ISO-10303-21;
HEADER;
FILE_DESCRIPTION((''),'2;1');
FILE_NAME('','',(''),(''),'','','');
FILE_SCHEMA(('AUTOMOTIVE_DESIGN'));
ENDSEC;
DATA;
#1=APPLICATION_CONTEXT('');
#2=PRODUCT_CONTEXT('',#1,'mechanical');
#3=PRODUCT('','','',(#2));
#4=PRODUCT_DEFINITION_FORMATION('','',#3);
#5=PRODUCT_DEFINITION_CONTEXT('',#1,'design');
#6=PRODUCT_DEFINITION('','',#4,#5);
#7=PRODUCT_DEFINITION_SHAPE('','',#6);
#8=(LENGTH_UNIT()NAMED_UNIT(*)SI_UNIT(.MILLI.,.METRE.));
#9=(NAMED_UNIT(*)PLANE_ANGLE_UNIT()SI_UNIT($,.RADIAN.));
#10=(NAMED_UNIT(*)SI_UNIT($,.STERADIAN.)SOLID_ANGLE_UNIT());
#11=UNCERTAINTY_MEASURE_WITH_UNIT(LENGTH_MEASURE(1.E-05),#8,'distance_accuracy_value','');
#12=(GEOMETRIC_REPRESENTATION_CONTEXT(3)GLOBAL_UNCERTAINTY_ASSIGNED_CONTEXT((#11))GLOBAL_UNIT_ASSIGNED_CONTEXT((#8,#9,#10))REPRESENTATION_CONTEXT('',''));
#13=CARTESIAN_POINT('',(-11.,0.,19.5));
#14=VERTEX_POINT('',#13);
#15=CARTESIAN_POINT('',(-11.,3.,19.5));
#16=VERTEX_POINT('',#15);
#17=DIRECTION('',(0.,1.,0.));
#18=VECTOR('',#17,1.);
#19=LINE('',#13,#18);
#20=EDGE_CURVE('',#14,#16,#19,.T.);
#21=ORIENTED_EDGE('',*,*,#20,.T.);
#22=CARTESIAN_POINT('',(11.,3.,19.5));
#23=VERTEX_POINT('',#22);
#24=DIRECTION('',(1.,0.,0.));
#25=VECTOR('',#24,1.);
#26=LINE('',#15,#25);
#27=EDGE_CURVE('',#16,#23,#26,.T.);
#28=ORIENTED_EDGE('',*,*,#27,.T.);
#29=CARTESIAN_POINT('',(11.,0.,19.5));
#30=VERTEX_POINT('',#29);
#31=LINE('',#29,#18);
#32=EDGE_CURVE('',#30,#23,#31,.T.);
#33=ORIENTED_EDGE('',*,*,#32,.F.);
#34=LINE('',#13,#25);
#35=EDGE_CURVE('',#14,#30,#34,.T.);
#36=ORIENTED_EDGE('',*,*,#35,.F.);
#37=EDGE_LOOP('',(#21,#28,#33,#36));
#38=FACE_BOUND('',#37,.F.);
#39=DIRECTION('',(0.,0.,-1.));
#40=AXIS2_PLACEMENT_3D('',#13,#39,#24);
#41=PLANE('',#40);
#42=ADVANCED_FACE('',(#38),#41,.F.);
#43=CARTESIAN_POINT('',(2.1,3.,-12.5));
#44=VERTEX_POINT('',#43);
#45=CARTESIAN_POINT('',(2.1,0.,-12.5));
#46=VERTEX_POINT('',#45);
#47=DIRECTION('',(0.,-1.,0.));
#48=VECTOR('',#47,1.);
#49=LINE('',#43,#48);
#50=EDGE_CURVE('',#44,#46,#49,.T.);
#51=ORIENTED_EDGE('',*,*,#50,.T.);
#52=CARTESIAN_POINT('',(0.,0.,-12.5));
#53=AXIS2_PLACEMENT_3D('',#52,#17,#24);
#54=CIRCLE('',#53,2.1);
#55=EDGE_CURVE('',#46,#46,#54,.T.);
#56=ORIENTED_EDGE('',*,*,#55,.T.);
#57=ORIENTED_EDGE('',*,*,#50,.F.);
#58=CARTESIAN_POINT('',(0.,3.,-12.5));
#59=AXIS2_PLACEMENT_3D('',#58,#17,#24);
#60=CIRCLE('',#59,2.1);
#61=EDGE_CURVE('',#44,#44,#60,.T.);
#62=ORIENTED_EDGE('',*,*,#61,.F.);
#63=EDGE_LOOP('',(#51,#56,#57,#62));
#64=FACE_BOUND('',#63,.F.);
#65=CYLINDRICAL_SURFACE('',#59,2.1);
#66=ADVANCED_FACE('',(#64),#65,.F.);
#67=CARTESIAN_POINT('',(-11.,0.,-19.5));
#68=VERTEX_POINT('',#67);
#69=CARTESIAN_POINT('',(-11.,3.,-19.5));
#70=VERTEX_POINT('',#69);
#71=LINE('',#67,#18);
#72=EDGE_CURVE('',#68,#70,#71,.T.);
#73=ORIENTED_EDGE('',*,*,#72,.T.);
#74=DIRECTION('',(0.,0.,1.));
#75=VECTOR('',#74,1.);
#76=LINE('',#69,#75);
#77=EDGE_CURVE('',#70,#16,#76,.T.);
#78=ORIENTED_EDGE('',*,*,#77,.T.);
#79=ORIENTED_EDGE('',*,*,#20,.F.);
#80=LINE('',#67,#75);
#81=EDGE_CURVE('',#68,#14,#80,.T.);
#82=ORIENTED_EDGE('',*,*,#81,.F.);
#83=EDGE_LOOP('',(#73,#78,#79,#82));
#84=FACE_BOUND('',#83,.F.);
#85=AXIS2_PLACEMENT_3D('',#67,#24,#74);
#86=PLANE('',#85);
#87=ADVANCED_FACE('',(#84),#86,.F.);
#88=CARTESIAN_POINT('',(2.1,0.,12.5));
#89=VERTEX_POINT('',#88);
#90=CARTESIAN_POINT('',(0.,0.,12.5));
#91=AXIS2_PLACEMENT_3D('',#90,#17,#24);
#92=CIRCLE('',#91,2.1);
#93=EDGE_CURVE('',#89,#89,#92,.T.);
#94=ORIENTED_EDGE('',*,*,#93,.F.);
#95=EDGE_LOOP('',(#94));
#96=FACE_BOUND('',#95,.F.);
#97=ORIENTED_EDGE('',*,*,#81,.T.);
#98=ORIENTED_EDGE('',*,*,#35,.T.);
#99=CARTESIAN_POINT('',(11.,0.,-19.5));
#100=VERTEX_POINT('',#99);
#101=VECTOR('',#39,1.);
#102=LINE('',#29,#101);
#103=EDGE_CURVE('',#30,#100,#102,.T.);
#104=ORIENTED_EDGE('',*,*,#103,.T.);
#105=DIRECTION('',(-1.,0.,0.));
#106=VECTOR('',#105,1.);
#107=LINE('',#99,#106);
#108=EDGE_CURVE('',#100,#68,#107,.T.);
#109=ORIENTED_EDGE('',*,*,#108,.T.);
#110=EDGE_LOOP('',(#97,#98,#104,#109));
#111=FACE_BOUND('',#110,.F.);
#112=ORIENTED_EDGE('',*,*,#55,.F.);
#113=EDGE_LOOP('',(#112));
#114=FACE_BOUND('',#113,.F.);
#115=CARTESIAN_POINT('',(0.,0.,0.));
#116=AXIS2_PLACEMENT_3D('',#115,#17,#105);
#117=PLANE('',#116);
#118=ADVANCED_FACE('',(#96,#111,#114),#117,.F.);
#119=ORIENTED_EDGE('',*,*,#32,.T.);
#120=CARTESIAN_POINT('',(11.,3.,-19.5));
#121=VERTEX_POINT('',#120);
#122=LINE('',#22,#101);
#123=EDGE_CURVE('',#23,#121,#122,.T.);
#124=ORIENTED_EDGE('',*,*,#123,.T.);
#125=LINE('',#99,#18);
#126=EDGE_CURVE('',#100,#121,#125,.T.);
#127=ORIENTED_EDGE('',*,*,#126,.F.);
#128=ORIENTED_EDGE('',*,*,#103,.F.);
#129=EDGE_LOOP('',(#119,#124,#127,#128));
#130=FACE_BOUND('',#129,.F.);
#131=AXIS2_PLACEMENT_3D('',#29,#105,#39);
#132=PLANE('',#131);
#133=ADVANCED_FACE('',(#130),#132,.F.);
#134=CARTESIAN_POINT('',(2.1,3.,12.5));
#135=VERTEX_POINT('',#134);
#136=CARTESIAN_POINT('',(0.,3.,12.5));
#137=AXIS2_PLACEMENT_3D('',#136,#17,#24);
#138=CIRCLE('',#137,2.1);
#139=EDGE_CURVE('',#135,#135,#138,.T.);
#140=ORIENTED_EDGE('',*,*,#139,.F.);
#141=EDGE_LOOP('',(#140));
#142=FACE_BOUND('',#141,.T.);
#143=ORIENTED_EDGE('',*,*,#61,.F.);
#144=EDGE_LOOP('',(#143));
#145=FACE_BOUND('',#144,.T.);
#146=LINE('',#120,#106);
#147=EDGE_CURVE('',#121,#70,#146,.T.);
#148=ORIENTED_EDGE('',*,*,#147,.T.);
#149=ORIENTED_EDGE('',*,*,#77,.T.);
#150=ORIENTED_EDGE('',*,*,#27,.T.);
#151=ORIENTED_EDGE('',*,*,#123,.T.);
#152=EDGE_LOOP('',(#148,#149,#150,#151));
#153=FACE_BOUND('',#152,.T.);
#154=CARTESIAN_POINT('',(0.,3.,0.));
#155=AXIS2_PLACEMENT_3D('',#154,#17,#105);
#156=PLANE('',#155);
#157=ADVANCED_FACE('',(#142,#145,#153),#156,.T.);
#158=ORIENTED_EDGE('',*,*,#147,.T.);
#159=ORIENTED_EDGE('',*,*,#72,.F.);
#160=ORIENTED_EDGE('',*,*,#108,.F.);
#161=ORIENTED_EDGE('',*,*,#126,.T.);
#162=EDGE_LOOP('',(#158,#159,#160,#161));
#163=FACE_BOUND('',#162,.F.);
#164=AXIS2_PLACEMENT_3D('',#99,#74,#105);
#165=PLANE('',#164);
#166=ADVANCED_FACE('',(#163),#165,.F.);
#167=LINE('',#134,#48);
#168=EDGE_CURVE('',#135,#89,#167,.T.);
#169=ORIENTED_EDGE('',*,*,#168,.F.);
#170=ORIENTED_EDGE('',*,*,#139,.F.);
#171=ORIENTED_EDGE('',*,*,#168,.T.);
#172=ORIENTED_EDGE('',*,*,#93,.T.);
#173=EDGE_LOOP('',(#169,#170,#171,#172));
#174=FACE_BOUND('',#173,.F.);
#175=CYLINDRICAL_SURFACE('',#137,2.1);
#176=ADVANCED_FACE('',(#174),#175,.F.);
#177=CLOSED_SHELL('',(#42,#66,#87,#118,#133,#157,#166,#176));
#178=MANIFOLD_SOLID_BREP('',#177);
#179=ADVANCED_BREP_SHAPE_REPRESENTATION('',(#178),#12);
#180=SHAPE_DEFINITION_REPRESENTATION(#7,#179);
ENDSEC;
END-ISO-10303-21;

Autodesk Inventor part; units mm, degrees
ref_plane "YZ Plane" through (0, 0, 0) normal (1, 0, 0) x (0, 1, 0)
ref_plane "XZ Plane" through (0, 0, 0) normal (0, 1, 0) x (-1, 0, 0)
ref_plane "XY Plane" through (0, 0, 0) normal (0, 0, 1) x (1, 0, 0)
sketch "Sketch1" plane through (0, 0, 0) normal (0, 1, 0) x (-1, 0, 0)
  line L0 (11, 19.5) -> (-11, 19.5)
  line L1 (-11, 19.5) -> (-11, -19.5)
  line L2 (-11, -19.5) -> (11, -19.5)
  line L3 (11, -19.5) -> (11, 19.5)
  line L4 (11, 19.5) -> (-11, -19.5) construction
  line L5 (-11, 19.5) -> (11, -19.5) construction
  point P0 (0, 0)
  dimension "d0" = 22
  dimension "d1" = 39
extrude "Plate1" add sketch "Sketch1" along normal blind 3
sketch "Sketch2" plane through (0, 3, 0) normal (0, 1, 0) x (1, 0, 0)
  circle A0 centre (0, -12.5) radius 2.1
  line L0 (11, -19.5) -> (11, 19.5) projected
  line L1 (11, 0) -> (-11, 0)
  line L2 (-11, 19.5) -> (-11, -19.5) projected
  circle A1 centre (0, 12.5) radius 2.1
  point P0 (0, 0)
  dimension "d3" = 4.2
  dimension "d4" = 12.5
extrude "Cut1" cut sketch "Sketch2" against normal blind 3
equation "\"d5\" = Thickness"
equation "\"d2\" = Thickness"
equation "\"BendRadius\" = Thickness"
equation "\"BendReliefWidth\" = Thickness"
equation "\"BendReliefDepth\" = 0.5 * Thickness"
equation "\"CornerReliefSize\" = 4 * Thickness"
equation "\"MinimumRemnant\" = 2 * Thickness"
equation "\"TransitionRadius\" = BendRadius"
equation "\"JacobiRadiusSize\" = BendRadius"
equation "\"GapSize\" = Thickness"
equation "\"Thickness\" = 3"
properties part number "90 graders beslag"
